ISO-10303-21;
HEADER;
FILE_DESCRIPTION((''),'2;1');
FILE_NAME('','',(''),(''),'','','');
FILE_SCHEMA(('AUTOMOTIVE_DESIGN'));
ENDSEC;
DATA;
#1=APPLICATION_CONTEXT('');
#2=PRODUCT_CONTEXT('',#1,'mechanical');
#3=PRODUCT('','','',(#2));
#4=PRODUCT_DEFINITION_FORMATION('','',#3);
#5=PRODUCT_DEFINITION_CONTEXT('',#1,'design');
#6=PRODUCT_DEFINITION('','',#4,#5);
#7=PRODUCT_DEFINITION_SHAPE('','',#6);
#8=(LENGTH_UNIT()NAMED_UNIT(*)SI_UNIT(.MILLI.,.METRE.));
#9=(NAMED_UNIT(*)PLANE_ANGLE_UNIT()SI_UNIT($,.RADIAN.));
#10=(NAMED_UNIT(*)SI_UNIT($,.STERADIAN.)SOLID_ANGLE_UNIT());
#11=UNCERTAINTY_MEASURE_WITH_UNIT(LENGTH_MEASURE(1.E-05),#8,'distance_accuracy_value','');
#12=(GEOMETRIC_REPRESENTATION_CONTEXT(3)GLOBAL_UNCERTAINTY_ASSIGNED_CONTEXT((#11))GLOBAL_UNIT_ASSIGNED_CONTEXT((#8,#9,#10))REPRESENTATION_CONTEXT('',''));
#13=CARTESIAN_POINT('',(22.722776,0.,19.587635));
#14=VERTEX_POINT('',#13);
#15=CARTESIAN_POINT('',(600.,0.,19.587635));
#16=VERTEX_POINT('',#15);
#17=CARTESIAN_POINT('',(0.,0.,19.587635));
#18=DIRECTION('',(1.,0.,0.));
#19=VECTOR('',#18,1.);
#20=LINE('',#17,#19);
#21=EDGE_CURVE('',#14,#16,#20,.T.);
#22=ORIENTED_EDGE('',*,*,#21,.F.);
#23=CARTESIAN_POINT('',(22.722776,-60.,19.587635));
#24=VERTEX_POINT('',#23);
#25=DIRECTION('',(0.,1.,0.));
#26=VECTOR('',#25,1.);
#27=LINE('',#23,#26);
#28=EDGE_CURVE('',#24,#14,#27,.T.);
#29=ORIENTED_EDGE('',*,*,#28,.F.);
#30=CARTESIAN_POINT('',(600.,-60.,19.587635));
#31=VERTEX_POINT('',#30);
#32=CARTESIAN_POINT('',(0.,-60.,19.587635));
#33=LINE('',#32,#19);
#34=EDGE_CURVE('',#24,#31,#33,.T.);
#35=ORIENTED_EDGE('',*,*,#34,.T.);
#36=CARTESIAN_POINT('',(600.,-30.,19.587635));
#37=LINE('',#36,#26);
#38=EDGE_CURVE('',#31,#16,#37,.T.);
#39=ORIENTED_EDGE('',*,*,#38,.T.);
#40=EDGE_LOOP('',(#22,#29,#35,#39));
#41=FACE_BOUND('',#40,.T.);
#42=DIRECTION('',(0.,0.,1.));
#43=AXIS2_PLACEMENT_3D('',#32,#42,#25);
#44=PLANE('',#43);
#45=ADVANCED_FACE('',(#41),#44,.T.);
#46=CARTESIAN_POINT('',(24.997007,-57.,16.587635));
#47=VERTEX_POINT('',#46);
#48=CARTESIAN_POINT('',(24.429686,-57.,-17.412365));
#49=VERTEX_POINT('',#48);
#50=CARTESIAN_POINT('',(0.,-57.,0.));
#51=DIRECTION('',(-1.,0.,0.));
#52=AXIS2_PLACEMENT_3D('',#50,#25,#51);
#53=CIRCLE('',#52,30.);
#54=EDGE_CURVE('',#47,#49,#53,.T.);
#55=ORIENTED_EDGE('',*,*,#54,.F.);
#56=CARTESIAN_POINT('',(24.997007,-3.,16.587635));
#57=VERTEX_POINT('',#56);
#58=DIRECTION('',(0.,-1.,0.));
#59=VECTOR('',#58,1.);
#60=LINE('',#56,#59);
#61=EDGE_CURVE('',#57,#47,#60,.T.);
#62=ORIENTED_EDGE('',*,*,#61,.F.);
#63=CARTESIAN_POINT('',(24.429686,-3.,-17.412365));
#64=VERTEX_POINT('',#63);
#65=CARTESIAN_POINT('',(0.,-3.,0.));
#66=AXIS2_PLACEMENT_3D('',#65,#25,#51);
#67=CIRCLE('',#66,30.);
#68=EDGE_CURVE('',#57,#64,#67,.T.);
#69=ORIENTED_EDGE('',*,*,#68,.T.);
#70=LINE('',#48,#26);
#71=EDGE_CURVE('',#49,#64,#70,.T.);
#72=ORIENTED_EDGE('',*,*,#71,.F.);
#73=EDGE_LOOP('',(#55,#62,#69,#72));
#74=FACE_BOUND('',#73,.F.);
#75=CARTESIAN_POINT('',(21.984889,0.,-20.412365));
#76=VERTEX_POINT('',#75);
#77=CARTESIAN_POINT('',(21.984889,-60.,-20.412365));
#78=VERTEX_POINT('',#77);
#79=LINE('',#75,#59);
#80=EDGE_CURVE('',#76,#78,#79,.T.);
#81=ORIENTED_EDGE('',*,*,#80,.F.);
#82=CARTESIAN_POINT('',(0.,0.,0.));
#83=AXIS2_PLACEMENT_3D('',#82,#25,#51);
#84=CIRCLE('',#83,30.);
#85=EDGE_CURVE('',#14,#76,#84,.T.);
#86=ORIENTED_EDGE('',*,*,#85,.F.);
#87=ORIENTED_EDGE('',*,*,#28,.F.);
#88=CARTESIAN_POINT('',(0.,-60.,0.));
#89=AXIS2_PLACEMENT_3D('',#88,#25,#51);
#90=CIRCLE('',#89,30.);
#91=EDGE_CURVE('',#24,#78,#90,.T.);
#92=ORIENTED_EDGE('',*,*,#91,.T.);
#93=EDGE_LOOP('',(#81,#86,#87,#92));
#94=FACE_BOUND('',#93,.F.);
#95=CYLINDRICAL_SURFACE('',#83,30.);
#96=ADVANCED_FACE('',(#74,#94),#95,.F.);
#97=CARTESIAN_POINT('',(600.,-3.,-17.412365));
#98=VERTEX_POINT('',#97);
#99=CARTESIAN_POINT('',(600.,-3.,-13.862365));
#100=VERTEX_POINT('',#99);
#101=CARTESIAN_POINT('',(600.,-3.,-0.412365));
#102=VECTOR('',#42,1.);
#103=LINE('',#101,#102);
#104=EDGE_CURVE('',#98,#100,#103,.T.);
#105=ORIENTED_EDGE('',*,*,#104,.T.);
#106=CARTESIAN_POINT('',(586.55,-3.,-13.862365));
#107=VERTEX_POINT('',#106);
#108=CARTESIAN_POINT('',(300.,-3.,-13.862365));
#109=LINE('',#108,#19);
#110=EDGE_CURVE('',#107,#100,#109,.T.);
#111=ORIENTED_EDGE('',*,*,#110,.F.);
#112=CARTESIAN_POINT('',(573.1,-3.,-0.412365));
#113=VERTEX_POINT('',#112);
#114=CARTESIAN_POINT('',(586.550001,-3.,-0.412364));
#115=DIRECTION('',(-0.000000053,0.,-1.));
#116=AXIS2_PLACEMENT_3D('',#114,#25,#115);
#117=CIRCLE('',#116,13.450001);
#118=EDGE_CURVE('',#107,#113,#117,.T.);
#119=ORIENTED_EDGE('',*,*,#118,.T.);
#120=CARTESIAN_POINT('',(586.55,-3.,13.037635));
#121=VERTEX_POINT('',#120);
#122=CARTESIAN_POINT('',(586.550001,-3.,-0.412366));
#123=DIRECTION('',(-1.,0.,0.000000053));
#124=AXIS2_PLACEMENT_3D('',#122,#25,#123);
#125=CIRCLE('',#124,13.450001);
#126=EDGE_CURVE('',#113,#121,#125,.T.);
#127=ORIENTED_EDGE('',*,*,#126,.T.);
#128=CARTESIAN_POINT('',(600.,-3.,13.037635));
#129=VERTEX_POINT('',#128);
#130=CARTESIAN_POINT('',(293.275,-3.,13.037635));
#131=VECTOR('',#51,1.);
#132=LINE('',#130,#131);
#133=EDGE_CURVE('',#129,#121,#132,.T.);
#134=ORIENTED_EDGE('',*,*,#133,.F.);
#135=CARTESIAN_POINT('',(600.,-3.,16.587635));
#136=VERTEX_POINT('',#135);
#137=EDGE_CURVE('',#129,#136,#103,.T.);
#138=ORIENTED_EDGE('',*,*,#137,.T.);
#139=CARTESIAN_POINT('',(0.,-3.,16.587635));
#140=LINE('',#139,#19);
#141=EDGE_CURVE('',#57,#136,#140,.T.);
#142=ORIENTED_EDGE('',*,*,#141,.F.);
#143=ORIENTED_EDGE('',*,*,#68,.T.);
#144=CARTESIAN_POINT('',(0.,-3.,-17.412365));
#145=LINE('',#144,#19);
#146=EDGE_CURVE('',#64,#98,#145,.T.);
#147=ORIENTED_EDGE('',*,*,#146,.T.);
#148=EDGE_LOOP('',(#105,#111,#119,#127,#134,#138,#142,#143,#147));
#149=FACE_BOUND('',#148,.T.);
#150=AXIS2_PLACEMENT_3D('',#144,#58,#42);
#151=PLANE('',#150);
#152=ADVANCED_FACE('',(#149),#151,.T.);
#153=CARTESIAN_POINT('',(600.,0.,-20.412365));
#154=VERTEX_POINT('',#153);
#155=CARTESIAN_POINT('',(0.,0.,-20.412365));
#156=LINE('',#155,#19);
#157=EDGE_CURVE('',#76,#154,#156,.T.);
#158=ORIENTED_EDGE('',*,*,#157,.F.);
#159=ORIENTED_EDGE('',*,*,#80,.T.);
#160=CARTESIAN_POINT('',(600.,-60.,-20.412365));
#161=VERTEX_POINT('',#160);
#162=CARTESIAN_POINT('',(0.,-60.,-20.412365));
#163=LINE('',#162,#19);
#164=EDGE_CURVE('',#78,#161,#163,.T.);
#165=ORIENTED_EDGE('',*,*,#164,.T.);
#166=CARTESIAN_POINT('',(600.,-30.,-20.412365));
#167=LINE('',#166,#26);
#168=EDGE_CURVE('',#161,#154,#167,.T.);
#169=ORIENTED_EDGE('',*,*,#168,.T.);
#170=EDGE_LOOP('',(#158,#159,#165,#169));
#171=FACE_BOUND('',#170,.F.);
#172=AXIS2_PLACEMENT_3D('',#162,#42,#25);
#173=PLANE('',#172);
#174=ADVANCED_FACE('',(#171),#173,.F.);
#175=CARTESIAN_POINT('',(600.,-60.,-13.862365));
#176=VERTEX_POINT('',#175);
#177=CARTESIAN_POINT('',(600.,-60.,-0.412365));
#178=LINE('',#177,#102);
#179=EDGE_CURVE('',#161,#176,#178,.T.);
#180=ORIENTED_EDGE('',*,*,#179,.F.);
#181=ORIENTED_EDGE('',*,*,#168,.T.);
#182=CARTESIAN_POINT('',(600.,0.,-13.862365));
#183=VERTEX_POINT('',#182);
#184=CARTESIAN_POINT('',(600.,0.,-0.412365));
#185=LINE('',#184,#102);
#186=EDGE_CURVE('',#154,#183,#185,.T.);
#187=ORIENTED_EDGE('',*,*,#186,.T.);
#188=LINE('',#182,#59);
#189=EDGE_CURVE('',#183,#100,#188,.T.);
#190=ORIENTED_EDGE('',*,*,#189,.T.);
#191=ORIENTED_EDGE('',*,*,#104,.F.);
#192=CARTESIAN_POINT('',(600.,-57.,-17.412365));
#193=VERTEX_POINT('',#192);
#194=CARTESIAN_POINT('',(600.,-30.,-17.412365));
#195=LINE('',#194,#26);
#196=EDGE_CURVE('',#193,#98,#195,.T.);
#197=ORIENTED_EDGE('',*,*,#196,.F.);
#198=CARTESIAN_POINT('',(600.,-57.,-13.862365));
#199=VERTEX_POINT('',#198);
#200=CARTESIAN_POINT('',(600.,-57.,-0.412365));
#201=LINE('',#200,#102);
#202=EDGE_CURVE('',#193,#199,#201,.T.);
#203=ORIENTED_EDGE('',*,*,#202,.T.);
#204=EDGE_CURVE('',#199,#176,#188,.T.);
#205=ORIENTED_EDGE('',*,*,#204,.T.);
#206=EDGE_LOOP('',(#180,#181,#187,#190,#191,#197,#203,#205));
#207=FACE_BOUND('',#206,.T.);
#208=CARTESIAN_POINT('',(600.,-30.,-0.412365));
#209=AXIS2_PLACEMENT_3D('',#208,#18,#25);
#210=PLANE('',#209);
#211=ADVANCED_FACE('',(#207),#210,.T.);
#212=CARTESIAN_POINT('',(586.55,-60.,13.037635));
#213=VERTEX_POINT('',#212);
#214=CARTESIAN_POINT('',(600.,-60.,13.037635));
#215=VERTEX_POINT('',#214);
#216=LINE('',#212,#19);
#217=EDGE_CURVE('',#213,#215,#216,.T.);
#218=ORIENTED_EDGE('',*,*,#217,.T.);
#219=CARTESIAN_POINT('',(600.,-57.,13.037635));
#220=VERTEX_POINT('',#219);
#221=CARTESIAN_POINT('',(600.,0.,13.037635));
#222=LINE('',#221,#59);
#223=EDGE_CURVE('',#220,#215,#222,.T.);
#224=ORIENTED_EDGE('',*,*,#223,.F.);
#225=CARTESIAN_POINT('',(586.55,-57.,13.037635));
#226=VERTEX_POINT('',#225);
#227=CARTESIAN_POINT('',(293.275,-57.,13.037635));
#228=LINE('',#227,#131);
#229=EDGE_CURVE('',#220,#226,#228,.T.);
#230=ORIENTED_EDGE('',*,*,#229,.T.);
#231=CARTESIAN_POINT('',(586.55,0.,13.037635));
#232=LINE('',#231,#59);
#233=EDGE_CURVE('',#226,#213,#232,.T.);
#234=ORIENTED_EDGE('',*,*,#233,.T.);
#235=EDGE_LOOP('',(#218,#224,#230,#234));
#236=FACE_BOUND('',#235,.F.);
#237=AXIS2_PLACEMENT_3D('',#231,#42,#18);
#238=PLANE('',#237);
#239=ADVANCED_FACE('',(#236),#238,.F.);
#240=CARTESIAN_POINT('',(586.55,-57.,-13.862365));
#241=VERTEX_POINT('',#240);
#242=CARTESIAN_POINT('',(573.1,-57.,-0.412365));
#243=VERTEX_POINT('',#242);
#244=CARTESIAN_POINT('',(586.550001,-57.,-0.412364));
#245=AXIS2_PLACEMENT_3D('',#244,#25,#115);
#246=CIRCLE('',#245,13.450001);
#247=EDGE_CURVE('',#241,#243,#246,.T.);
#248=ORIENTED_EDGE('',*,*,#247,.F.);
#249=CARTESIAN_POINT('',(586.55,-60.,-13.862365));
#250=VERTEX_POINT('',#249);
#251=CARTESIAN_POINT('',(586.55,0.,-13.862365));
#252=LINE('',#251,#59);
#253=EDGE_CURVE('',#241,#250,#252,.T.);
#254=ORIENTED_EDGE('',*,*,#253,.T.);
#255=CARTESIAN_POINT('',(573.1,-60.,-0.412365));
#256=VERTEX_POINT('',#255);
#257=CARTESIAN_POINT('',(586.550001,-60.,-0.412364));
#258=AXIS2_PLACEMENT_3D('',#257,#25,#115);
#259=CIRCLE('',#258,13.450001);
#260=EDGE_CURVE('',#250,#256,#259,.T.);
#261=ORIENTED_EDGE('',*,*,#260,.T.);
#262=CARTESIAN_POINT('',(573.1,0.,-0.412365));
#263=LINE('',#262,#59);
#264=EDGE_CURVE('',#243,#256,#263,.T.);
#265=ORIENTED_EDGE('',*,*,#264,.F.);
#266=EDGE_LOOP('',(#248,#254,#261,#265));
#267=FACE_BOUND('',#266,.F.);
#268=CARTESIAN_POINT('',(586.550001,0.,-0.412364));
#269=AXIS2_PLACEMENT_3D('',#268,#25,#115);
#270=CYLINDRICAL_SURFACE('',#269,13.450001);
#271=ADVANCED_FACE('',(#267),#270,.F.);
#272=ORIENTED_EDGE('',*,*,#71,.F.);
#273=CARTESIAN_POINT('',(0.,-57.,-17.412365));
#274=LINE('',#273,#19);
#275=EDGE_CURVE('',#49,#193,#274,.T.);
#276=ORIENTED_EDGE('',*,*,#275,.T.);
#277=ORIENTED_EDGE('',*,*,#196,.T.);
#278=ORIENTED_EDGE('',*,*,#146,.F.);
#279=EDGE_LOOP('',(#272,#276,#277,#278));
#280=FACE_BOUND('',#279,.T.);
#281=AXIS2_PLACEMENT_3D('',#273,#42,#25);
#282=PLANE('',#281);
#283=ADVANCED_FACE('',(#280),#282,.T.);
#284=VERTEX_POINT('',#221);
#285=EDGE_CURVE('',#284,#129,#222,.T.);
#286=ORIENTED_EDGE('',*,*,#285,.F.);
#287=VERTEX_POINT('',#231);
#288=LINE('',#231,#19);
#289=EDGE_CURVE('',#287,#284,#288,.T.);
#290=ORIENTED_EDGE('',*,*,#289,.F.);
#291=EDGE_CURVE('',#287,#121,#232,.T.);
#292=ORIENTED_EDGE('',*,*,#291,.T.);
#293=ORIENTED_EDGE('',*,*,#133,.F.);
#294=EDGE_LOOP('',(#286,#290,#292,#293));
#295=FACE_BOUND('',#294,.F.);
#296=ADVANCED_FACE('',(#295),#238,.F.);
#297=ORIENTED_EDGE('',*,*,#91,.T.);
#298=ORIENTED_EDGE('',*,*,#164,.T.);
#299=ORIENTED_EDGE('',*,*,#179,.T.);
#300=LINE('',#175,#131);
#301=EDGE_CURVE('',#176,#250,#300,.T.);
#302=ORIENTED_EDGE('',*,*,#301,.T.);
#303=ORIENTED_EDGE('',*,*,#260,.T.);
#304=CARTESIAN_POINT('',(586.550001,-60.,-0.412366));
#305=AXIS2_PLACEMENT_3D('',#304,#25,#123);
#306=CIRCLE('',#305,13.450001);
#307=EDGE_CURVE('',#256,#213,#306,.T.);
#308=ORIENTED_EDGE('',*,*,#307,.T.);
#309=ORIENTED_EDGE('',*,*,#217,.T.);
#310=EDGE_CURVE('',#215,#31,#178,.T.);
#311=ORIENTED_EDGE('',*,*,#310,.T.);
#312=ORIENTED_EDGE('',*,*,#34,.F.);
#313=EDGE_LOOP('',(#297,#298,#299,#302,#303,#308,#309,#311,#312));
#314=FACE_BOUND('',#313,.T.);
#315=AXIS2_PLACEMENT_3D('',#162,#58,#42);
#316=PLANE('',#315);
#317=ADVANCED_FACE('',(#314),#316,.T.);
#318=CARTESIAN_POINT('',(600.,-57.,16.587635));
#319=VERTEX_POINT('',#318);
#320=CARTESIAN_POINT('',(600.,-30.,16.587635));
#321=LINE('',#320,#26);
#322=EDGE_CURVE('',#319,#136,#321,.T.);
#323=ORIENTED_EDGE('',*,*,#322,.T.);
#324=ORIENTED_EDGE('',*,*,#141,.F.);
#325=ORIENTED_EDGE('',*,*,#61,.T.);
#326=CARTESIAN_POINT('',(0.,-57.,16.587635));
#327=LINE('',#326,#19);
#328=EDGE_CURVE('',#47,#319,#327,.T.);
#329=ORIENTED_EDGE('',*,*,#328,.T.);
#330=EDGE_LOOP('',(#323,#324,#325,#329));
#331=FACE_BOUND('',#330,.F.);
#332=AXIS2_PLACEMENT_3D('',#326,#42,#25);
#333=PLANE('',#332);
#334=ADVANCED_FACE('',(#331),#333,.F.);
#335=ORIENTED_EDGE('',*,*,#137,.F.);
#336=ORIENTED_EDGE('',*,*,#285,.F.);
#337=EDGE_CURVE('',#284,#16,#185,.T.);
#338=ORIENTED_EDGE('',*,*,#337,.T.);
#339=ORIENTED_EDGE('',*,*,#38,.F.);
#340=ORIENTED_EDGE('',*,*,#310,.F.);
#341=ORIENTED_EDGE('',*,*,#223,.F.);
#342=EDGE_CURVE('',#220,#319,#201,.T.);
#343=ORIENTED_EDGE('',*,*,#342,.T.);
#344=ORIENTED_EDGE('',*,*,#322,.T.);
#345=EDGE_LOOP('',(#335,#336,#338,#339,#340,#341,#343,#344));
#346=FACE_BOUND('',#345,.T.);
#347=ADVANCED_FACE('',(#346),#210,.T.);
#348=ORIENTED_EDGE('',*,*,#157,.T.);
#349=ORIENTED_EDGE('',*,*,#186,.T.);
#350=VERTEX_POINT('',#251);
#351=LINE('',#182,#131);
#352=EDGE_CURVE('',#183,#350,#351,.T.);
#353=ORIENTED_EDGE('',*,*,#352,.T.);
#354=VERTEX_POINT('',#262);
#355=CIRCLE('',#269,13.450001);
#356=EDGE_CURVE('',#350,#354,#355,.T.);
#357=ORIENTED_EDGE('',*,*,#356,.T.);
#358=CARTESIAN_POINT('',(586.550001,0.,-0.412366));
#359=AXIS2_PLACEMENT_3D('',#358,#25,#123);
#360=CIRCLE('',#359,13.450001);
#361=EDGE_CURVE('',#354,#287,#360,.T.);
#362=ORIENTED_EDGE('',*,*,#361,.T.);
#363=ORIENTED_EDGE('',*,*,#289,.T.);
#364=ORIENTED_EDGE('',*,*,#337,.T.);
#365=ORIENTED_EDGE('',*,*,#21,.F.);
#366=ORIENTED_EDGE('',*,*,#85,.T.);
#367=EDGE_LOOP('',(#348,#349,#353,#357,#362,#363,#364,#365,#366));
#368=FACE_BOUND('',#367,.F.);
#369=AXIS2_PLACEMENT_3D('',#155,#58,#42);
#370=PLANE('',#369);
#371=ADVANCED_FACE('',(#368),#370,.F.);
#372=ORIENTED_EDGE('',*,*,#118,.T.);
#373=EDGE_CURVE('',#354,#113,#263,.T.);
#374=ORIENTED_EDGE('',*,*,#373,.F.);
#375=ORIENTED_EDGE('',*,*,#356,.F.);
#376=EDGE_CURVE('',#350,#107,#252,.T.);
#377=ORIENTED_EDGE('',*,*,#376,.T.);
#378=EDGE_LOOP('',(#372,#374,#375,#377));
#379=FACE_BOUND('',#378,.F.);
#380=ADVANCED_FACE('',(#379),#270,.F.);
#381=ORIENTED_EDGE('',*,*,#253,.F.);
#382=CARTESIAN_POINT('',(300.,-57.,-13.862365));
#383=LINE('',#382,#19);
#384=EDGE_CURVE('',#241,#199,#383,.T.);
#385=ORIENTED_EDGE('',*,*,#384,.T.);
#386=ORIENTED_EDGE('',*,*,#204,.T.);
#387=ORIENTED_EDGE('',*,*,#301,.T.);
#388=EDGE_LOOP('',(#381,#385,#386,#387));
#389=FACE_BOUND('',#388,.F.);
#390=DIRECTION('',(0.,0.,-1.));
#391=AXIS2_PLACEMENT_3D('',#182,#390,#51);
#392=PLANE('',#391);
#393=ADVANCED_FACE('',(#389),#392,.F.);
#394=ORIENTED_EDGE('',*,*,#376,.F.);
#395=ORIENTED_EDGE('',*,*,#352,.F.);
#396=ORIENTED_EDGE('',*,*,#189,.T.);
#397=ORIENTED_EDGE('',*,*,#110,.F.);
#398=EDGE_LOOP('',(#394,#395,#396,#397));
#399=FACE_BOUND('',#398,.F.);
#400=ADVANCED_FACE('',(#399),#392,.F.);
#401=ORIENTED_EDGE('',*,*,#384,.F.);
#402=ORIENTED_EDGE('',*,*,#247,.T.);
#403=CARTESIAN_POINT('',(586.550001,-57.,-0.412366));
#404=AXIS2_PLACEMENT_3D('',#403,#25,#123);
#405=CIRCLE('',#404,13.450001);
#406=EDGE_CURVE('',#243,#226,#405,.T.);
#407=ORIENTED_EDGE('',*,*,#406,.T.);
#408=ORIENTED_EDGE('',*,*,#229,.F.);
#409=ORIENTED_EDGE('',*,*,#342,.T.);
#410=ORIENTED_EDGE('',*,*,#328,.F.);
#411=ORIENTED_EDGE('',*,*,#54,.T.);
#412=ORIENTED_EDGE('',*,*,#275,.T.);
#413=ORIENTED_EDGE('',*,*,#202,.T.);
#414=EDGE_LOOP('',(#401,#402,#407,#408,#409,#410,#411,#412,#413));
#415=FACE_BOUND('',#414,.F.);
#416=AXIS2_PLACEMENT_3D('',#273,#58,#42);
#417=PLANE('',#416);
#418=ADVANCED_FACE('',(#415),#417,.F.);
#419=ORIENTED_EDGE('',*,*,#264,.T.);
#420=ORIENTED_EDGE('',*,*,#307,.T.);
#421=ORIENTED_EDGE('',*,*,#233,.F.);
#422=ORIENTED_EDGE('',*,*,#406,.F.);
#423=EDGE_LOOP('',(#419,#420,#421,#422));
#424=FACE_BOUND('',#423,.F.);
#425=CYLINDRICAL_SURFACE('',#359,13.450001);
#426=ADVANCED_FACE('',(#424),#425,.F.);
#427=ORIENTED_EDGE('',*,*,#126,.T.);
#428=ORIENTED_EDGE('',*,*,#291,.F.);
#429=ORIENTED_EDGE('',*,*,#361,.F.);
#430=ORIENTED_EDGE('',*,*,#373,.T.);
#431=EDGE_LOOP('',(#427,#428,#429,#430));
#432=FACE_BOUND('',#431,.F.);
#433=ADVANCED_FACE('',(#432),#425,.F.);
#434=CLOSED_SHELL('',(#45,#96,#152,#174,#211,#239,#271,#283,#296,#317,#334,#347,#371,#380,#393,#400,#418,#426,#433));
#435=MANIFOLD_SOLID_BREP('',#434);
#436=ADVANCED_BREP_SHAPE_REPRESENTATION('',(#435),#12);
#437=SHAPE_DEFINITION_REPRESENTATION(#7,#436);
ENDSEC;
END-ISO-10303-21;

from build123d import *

# Parameters (mm, degrees)
F0_W     = 60
F0_H     = 40
F0_W_2   = 54
F0_H_2   = 34
F1_DEPTH = 600
F2_R     = 30
F3_DEPTH = 60
F4_DEPTH = 25


with BuildPart() as f1:
    # F0 (on Right) → F1 (new body)
    with BuildSketch(Plane.YZ):
        with Locations((-30, -0.412365)):
            Rectangle(F0_W, F0_H)
        with Locations((-30, -0.412365)):
            Rectangle(F0_W_2, F0_H_2, mode=Mode.SUBTRACT)
    extrude(amount=F1_DEPTH)

    # F2 (on face) → F3 (cut)
    with BuildSketch(Plane(origin=(0, 0, 0), x_dir=(-1, 0, 0), z_dir=(0, 1, 0))):
        with BuildLine():
            ThreePointArc((-586.55, -13.862365), (-577.039414, -9.922951), (-573.1, -0.412365))
            ThreePointArc((-573.1, -0.412365), (-577.039414, 9.098221), (-586.55, 13.037635))
            ThreePointArc((-586.55, 13.037635), (-600, -0.412365), (-586.55, -13.862365))
        make_face()
        Circle(F2_R)
        with BuildLine():
            ThreePointArc((-600, -0.412365), (-596.060586, 9.098221), (-586.55, 13.037635))
            Line((-586.55, 13.037635), (-600, 13.037635))
            Line((-600, 13.037635), (-600, -0.412365))
        make_face()
        with BuildLine():
            Line((-600, -13.862365), (-586.55, -13.862365))
            ThreePointArc((-586.55, -13.862365), (-596.060586, -9.922951), (-600, -0.412365))
            Line((-600, -0.412365), (-600, -13.862365))
        make_face()
    extrude(amount=-F3_DEPTH, mode=Mode.SUBTRACT)

    # F2 (on face) → F4 (cut)
    with BuildSketch(Plane(origin=(0, 0, 0), x_dir=(-1, 0, 0), z_dir=(0, 1, 0))):
        with BuildLine():
            ThreePointArc((-586.55, -13.862365), (-577.039414, -9.922951), (-573.1, -0.412365))
            ThreePointArc((-573.1, -0.412365), (-577.039414, 9.098221), (-586.55, 13.037635))
            ThreePointArc((-586.55, 13.037635), (-600, -0.412365), (-586.55, -13.862365))
        make_face()
        Circle(F2_R)
    extrude(amount=-F4_DEPTH, mode=Mode.SUBTRACT)


solid = f1.part
